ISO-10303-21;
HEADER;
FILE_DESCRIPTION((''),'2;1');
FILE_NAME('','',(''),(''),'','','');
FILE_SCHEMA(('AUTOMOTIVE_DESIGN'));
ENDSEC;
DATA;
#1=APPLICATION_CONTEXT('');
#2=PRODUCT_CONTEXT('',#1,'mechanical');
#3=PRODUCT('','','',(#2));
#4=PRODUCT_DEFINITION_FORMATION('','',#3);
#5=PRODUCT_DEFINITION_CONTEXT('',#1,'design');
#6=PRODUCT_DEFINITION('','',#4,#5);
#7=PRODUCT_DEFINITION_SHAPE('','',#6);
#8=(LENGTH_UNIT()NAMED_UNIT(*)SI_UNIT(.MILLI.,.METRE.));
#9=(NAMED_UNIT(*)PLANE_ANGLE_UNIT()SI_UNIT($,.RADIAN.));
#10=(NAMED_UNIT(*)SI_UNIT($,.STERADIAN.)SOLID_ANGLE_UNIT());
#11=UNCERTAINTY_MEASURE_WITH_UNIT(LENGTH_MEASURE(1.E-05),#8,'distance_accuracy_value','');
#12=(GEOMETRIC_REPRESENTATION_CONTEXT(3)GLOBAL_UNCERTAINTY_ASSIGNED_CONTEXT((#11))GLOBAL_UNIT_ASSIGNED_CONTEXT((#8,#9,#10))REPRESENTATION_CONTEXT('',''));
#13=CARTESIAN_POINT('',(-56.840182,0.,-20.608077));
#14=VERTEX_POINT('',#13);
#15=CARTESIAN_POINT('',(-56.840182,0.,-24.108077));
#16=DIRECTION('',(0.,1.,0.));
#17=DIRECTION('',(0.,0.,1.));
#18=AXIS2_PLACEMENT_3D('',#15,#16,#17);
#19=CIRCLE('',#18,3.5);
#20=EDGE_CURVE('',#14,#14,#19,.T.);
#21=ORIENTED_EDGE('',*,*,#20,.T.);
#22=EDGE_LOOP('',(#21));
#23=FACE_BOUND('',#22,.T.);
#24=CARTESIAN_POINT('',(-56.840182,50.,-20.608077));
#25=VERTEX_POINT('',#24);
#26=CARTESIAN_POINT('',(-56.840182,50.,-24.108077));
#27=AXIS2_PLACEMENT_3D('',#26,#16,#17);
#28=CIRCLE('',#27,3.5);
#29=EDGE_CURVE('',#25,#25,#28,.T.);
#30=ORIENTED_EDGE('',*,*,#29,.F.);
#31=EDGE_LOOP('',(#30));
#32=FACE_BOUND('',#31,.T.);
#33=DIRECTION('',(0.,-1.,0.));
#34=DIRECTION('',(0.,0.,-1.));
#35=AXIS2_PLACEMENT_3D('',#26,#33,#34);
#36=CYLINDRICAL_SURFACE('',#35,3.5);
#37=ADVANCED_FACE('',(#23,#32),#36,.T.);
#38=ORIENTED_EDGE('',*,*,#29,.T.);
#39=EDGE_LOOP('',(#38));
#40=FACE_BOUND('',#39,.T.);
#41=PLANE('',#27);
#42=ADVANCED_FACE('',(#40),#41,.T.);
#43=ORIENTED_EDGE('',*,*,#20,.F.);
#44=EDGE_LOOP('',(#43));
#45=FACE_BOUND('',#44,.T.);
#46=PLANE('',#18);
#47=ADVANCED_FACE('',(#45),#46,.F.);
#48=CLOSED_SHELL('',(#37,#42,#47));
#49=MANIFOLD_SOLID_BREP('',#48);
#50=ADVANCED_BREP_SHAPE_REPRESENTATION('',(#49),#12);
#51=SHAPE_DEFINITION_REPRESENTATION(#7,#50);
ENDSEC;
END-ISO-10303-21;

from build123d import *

# Parameters (mm, degrees)
SKETCH1_R           = 3.5
BOSS_EXTRUDE1_DEPTH = 50


with BuildPart() as part:
    # Sketch1 → Boss-Extrude1 (new body)
    with BuildSketch(Plane(origin=(0, 0, 0), x_dir=(1, 0, 0), z_dir=(0, 1, 0))):
        with Locations((-56.840181938, 24.108077167)):
            Circle(SKETCH1_R)
    extrude(amount=BOSS_EXTRUDE1_DEPTH)


solid = part.part
